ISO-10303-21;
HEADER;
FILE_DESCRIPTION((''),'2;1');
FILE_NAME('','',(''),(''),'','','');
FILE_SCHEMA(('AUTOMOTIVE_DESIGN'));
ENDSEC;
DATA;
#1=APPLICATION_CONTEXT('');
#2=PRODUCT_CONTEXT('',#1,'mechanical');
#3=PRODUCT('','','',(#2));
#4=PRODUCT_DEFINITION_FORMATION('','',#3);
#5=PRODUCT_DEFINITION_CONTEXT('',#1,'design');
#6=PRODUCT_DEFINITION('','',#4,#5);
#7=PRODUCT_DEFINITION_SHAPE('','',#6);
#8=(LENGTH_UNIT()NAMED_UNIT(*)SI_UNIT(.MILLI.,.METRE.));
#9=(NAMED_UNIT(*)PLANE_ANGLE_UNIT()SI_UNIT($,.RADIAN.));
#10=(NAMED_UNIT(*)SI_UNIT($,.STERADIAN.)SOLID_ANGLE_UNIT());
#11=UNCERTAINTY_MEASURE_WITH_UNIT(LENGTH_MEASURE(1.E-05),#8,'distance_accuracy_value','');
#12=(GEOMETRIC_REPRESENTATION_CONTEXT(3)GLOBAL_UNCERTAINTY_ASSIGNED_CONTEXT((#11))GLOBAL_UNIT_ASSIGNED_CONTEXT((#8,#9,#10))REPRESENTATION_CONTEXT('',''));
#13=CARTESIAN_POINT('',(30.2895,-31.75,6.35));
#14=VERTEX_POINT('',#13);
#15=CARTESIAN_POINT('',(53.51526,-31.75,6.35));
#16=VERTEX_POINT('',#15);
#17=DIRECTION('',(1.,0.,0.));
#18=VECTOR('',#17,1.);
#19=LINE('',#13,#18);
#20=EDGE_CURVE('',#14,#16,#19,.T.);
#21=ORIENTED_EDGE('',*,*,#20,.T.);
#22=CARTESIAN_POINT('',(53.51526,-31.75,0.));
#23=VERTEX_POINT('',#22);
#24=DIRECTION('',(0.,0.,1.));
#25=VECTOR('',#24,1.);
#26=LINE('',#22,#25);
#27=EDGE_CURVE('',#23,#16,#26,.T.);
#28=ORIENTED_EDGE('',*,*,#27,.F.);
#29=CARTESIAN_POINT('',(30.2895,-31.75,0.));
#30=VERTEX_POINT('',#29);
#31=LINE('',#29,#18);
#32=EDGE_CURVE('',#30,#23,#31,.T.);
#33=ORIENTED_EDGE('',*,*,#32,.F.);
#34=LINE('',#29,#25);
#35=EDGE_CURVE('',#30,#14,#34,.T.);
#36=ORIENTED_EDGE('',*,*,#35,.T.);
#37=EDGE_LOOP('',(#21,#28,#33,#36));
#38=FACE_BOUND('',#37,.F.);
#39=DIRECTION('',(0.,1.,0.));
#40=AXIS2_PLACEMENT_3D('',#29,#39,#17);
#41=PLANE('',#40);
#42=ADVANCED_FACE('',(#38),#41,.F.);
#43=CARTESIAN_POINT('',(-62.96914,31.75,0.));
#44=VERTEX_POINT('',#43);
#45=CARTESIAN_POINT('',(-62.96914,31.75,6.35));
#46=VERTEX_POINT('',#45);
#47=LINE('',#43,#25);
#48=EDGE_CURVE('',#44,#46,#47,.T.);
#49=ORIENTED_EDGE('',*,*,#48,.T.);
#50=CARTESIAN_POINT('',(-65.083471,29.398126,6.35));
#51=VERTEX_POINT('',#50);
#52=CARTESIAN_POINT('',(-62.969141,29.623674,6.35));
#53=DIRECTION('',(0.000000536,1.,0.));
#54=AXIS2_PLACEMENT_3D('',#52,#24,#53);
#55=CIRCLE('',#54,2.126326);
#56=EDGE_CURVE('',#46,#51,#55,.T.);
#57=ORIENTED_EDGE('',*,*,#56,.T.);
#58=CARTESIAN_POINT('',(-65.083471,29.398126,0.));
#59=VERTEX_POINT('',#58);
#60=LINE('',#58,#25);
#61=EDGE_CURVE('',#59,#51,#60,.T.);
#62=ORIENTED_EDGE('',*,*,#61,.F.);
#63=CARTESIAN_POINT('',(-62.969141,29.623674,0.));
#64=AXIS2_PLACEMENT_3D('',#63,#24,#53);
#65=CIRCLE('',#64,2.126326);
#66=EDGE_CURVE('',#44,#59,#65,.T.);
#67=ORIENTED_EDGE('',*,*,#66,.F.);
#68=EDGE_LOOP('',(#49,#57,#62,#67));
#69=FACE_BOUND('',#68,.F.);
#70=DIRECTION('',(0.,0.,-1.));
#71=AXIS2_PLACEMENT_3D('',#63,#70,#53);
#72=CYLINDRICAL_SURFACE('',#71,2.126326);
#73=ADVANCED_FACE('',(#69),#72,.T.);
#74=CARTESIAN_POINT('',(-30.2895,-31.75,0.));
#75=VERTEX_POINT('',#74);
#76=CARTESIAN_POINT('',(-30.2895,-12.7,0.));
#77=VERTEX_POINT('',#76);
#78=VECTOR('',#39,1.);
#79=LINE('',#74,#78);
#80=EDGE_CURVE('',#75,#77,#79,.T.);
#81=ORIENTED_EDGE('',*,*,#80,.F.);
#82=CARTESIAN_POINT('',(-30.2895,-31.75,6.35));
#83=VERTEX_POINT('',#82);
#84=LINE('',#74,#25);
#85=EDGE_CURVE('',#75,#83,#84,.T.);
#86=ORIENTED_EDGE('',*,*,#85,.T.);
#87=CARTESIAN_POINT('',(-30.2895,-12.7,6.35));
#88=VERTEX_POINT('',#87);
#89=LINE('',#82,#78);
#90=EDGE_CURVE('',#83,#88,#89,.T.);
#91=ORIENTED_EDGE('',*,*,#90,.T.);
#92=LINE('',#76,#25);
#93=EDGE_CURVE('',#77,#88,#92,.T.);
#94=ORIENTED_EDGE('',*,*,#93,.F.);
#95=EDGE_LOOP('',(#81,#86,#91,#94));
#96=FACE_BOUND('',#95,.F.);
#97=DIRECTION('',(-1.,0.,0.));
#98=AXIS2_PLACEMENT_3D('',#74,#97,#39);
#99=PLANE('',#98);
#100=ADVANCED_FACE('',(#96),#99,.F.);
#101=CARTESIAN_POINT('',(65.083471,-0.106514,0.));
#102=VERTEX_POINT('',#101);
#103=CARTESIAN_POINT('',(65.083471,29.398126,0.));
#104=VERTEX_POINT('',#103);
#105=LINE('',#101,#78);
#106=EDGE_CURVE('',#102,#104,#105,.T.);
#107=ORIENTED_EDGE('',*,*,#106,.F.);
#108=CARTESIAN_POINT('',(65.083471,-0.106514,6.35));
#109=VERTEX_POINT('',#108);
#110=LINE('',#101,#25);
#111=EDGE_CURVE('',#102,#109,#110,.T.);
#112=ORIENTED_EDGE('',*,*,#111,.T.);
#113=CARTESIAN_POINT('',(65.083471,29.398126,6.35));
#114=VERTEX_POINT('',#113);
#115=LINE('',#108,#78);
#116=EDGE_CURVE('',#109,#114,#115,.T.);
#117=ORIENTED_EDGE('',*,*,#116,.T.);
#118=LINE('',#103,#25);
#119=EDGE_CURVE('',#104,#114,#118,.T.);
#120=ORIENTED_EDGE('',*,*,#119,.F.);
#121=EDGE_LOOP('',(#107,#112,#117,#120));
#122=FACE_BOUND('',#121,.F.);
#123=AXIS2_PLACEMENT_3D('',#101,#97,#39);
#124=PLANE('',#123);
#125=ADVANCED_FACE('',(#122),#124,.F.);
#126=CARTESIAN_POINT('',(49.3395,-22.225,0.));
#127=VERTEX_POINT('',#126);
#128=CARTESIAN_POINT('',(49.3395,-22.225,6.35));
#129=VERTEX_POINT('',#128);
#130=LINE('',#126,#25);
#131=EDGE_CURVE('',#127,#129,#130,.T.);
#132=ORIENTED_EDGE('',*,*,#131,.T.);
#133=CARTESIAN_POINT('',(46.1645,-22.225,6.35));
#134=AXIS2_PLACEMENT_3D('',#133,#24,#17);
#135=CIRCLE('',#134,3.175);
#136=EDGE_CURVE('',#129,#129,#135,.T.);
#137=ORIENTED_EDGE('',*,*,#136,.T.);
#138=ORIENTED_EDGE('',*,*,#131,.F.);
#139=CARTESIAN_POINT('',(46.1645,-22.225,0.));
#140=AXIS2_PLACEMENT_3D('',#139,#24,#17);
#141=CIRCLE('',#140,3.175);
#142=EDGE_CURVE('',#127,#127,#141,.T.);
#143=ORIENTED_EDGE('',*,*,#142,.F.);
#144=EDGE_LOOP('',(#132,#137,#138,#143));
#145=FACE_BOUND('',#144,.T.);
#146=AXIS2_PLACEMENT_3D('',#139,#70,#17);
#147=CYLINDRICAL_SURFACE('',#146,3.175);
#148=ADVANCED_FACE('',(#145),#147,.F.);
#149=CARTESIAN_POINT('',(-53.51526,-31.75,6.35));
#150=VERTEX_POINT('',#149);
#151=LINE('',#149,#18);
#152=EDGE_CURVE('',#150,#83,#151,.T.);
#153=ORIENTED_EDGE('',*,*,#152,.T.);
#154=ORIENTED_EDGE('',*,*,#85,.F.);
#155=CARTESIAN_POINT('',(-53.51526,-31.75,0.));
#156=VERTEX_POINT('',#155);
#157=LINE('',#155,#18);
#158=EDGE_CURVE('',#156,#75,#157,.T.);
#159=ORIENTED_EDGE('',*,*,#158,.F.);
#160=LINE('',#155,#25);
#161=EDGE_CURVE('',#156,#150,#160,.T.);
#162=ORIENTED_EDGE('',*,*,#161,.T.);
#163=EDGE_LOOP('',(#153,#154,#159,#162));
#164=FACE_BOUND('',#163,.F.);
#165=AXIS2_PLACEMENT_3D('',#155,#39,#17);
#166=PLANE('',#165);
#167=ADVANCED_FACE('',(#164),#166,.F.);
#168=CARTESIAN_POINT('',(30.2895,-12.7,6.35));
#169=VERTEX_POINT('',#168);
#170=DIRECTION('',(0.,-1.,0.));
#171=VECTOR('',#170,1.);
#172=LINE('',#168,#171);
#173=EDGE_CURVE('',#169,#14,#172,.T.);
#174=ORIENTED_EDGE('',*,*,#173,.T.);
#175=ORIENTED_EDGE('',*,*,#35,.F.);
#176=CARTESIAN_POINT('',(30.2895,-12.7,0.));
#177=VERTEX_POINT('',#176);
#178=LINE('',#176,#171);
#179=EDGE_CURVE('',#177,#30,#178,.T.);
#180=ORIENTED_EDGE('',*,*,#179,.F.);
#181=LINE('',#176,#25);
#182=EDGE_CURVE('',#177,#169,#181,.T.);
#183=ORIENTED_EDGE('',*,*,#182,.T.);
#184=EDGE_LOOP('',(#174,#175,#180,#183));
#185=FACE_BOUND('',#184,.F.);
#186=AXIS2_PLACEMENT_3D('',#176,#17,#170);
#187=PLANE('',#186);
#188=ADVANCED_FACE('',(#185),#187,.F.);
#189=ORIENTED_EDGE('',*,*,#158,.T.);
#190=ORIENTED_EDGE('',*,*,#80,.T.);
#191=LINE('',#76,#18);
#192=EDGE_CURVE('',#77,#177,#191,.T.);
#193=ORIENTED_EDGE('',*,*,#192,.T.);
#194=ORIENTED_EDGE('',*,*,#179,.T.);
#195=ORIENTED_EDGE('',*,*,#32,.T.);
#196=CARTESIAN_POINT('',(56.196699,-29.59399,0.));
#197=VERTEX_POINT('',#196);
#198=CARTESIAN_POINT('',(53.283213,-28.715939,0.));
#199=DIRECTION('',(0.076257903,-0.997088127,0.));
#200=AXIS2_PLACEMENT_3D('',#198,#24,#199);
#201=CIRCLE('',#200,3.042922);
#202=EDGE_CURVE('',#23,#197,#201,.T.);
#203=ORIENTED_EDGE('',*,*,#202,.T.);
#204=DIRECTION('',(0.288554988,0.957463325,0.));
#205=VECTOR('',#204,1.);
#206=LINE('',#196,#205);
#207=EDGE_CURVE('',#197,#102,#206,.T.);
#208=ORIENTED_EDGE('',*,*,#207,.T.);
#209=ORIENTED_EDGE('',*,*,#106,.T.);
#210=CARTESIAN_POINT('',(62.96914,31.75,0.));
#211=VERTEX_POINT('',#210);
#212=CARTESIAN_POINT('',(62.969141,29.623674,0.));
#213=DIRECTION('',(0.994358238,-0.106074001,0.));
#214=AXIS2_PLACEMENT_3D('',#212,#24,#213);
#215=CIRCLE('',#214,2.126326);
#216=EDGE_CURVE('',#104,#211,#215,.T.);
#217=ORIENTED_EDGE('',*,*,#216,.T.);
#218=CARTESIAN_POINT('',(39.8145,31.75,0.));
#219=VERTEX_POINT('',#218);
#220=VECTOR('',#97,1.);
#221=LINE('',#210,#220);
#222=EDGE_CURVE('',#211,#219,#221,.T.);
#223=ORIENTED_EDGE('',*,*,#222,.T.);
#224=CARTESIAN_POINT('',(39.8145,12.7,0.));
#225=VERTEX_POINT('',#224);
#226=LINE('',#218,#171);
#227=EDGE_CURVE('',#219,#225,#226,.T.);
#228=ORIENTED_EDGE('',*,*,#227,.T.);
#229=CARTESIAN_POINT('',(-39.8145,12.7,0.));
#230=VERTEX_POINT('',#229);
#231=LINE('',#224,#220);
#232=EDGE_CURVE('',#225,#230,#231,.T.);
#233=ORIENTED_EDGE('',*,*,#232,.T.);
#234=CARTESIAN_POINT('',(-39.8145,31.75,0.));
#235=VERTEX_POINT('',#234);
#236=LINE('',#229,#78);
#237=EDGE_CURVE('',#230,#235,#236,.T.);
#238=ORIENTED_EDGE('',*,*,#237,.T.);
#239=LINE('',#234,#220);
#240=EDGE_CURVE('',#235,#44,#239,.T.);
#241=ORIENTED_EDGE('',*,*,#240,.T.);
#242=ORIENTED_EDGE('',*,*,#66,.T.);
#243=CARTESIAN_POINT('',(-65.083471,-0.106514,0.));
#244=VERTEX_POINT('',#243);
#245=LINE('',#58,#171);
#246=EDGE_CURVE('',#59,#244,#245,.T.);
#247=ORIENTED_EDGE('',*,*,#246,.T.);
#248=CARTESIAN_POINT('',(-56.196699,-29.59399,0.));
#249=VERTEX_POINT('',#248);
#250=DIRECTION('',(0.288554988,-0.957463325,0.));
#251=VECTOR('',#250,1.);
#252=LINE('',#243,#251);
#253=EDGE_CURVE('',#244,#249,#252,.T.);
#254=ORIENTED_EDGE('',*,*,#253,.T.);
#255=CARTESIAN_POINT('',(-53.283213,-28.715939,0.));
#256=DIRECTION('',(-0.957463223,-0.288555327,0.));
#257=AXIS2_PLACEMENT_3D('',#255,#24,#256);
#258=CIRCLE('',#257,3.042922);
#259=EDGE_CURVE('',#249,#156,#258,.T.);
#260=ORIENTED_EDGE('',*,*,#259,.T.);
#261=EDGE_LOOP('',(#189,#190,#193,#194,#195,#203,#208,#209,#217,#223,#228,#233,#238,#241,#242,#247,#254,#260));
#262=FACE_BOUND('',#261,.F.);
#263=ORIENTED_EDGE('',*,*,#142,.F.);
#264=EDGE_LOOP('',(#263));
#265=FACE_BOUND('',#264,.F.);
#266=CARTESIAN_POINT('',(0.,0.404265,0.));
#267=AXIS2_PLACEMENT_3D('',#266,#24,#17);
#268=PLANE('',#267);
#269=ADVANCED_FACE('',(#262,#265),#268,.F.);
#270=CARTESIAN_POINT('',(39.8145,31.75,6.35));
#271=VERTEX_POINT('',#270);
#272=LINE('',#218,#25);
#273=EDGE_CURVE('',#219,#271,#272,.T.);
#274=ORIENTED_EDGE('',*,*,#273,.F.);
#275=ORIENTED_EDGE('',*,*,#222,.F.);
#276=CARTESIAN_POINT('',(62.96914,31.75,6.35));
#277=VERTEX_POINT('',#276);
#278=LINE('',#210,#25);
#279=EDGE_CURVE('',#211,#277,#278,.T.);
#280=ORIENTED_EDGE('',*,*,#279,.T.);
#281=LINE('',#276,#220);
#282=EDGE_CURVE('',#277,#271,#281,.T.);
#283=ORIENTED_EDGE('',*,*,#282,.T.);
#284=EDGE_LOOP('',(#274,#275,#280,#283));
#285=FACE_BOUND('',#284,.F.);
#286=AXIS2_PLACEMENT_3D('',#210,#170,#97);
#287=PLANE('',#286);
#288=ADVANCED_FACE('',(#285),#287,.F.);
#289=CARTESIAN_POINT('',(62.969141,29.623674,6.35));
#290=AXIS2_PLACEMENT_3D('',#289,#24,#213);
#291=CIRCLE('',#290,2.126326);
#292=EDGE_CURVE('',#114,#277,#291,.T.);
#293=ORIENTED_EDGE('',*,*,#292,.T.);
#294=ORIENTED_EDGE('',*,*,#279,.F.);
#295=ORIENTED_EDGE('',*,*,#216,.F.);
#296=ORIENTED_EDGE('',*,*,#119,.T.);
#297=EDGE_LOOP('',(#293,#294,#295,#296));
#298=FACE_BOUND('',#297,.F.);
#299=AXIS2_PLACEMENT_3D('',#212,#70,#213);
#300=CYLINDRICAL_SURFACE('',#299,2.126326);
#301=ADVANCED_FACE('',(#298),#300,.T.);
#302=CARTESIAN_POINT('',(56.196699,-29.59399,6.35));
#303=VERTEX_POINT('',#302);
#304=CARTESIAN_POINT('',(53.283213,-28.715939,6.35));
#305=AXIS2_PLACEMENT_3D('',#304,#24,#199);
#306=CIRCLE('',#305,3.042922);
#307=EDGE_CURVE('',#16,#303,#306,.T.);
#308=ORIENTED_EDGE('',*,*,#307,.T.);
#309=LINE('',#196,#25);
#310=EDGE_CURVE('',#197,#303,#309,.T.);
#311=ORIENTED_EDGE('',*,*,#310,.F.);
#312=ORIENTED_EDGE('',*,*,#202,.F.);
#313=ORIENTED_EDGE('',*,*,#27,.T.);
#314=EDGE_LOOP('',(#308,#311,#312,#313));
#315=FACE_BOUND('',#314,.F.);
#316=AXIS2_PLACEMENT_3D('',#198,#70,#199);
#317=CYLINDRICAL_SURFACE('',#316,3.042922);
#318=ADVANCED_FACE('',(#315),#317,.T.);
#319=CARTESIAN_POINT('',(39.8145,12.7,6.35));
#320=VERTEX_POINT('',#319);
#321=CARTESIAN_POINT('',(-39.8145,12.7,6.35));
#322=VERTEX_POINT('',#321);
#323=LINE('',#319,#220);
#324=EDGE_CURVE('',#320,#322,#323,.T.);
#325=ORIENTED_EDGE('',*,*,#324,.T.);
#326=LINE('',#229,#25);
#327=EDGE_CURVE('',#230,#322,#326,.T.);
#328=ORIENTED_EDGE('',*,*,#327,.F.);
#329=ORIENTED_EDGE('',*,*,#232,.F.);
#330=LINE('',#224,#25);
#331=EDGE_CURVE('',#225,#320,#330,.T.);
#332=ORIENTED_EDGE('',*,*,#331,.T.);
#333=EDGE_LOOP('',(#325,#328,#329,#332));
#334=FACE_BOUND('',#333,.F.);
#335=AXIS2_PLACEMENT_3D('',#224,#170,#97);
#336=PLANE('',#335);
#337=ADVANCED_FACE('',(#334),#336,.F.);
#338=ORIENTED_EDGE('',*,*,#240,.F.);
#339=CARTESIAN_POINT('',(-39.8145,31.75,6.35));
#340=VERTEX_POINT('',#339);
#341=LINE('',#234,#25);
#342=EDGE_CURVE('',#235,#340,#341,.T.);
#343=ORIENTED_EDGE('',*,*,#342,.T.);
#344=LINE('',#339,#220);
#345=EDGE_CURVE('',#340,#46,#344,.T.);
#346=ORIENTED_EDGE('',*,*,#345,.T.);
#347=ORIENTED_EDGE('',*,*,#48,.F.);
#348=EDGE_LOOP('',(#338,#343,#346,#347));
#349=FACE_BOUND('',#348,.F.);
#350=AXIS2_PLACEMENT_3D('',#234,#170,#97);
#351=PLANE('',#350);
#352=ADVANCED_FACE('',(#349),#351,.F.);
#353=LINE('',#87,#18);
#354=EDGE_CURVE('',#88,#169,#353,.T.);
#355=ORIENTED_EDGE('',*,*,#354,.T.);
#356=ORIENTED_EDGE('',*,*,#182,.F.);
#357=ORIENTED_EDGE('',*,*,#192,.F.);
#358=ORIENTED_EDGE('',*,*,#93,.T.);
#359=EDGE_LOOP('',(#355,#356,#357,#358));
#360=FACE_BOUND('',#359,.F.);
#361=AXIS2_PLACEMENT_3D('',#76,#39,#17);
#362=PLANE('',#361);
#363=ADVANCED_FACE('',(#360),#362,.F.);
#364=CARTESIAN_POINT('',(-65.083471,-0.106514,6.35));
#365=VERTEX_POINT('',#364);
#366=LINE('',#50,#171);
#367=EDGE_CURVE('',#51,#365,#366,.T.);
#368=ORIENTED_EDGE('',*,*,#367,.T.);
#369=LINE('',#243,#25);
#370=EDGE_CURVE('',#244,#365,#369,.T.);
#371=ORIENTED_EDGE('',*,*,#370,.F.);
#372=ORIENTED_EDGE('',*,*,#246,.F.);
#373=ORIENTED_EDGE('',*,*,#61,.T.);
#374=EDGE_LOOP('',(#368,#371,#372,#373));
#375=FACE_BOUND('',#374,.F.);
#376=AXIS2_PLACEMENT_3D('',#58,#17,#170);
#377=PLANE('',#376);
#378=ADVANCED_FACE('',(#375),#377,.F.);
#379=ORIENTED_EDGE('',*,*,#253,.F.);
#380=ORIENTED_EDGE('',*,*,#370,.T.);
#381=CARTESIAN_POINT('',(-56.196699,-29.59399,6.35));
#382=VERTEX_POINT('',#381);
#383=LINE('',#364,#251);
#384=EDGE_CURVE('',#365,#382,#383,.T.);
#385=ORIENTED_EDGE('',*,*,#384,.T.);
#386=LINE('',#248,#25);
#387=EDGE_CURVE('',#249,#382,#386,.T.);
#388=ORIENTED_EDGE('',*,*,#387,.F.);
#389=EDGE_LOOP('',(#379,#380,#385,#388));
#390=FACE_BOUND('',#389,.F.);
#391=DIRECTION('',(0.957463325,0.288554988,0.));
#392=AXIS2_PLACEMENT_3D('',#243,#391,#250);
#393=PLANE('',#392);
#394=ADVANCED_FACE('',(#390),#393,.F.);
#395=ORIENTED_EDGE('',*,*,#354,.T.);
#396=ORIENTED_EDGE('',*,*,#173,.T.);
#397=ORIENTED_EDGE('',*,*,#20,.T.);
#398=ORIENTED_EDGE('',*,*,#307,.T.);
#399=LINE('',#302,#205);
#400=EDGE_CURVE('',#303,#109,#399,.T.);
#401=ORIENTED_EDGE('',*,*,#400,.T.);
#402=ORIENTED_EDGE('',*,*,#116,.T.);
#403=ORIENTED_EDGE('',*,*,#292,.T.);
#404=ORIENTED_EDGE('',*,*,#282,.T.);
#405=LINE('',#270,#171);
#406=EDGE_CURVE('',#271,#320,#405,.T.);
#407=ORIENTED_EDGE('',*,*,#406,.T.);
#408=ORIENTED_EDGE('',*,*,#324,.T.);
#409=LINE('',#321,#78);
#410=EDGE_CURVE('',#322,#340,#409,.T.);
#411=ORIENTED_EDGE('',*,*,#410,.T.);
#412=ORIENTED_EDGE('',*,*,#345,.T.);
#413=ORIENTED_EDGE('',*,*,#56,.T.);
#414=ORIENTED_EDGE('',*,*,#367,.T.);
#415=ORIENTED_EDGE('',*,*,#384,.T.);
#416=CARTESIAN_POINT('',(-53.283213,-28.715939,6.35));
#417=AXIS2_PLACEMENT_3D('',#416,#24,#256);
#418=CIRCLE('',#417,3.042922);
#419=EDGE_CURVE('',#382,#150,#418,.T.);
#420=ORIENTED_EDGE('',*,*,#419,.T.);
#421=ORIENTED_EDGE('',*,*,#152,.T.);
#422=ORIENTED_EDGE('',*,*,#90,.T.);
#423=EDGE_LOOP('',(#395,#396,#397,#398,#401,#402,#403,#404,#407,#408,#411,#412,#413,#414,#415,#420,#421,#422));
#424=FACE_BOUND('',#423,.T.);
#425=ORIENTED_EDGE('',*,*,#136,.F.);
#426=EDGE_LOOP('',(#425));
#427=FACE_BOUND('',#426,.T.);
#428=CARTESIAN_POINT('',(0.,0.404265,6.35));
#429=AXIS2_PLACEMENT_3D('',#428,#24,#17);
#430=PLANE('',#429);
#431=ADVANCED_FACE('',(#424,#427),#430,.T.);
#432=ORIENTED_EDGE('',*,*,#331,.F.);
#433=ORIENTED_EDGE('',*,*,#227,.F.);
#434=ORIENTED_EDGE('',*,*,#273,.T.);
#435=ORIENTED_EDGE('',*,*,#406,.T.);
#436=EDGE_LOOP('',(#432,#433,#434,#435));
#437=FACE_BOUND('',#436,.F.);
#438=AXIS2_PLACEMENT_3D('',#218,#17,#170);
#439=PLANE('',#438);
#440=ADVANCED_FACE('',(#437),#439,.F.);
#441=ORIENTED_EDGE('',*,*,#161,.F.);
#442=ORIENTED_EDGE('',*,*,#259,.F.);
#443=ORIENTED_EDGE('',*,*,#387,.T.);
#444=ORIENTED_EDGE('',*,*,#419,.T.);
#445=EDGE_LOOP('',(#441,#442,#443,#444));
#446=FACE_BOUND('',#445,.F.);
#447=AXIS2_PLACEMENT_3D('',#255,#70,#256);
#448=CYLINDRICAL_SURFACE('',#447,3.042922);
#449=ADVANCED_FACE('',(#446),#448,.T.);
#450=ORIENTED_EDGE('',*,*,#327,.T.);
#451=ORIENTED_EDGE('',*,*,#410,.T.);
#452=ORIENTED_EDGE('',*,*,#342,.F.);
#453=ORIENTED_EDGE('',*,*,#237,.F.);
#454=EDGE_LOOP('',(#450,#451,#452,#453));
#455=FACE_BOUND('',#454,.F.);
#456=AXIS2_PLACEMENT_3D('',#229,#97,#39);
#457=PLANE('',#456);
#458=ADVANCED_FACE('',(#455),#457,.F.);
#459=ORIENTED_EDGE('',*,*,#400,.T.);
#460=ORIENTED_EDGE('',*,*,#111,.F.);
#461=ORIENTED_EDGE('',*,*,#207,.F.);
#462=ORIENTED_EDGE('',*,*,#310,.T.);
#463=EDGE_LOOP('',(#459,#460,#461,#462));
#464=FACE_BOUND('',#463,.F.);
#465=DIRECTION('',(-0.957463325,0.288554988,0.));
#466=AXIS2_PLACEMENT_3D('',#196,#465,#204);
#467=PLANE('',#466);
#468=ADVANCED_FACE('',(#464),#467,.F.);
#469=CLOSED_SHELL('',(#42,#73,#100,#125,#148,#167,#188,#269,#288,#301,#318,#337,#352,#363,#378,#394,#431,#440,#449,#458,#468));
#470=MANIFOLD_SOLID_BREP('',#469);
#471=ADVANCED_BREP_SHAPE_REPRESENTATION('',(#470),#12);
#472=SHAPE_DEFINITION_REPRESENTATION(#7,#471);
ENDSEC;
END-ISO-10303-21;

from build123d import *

# Parameters (mm, degrees)
F0_R     = 3.175
F1_DEPTH = 6.35


with BuildPart() as f1:
    # F0 (on Top) → F1 (new body)
    with BuildSketch(Plane.XY):
        with BuildLine():
            Line((39.8145, 12.7), (0, 12.7))
            Line((0, 12.7), (-39.8145, 12.7))
            Line((-39.8145, 12.7), (-39.8145, 31.75))
            Line((-39.8145, 31.75), (-62.96914, 31.75))
            ThreePointArc((-62.96914, 31.75), (-64.550414, 31.045236), (-65.083471, 29.398126))
            Line((-65.083471, 29.398126), (-65.083471, -0.106514))
            Line((-65.083471, -0.106514), (-56.196699, -29.59399))
            ThreePointArc((-56.196699, -29.59399), (-55.189961, -31.08737), (-53.51526, -31.75))
            Line((-53.51526, -31.75), (-30.2895, -31.75))
            Line((-30.2895, -31.75), (-30.2895, -12.7))
            Line((-30.2895, -12.7), (0, -12.7))
            Line((0, -12.7), (30.2895, -12.7))
            Line((30.2895, -12.7), (30.2895, -31.75))
            Line((30.2895, -31.75), (53.51526, -31.75))
            ThreePointArc((53.51526, -31.75), (55.189961, -31.08737), (56.196699, -29.59399))
            Line((56.196699, -29.59399), (65.083471, -0.106514))
            Line((65.083471, -0.106514), (65.083471, 29.398126))
            ThreePointArc((65.083471, 29.398126), (64.550414, 31.045236), (62.96914, 31.75))
            Line((62.96914, 31.75), (39.8145, 31.75))
            Line((39.8145, 31.75), (39.8145, 12.7))
        make_face()
        with Locations((46.1645, -22.225)):
            Circle(F0_R, mode=Mode.SUBTRACT)
    extrude(amount=F1_DEPTH)


solid = f1.part
